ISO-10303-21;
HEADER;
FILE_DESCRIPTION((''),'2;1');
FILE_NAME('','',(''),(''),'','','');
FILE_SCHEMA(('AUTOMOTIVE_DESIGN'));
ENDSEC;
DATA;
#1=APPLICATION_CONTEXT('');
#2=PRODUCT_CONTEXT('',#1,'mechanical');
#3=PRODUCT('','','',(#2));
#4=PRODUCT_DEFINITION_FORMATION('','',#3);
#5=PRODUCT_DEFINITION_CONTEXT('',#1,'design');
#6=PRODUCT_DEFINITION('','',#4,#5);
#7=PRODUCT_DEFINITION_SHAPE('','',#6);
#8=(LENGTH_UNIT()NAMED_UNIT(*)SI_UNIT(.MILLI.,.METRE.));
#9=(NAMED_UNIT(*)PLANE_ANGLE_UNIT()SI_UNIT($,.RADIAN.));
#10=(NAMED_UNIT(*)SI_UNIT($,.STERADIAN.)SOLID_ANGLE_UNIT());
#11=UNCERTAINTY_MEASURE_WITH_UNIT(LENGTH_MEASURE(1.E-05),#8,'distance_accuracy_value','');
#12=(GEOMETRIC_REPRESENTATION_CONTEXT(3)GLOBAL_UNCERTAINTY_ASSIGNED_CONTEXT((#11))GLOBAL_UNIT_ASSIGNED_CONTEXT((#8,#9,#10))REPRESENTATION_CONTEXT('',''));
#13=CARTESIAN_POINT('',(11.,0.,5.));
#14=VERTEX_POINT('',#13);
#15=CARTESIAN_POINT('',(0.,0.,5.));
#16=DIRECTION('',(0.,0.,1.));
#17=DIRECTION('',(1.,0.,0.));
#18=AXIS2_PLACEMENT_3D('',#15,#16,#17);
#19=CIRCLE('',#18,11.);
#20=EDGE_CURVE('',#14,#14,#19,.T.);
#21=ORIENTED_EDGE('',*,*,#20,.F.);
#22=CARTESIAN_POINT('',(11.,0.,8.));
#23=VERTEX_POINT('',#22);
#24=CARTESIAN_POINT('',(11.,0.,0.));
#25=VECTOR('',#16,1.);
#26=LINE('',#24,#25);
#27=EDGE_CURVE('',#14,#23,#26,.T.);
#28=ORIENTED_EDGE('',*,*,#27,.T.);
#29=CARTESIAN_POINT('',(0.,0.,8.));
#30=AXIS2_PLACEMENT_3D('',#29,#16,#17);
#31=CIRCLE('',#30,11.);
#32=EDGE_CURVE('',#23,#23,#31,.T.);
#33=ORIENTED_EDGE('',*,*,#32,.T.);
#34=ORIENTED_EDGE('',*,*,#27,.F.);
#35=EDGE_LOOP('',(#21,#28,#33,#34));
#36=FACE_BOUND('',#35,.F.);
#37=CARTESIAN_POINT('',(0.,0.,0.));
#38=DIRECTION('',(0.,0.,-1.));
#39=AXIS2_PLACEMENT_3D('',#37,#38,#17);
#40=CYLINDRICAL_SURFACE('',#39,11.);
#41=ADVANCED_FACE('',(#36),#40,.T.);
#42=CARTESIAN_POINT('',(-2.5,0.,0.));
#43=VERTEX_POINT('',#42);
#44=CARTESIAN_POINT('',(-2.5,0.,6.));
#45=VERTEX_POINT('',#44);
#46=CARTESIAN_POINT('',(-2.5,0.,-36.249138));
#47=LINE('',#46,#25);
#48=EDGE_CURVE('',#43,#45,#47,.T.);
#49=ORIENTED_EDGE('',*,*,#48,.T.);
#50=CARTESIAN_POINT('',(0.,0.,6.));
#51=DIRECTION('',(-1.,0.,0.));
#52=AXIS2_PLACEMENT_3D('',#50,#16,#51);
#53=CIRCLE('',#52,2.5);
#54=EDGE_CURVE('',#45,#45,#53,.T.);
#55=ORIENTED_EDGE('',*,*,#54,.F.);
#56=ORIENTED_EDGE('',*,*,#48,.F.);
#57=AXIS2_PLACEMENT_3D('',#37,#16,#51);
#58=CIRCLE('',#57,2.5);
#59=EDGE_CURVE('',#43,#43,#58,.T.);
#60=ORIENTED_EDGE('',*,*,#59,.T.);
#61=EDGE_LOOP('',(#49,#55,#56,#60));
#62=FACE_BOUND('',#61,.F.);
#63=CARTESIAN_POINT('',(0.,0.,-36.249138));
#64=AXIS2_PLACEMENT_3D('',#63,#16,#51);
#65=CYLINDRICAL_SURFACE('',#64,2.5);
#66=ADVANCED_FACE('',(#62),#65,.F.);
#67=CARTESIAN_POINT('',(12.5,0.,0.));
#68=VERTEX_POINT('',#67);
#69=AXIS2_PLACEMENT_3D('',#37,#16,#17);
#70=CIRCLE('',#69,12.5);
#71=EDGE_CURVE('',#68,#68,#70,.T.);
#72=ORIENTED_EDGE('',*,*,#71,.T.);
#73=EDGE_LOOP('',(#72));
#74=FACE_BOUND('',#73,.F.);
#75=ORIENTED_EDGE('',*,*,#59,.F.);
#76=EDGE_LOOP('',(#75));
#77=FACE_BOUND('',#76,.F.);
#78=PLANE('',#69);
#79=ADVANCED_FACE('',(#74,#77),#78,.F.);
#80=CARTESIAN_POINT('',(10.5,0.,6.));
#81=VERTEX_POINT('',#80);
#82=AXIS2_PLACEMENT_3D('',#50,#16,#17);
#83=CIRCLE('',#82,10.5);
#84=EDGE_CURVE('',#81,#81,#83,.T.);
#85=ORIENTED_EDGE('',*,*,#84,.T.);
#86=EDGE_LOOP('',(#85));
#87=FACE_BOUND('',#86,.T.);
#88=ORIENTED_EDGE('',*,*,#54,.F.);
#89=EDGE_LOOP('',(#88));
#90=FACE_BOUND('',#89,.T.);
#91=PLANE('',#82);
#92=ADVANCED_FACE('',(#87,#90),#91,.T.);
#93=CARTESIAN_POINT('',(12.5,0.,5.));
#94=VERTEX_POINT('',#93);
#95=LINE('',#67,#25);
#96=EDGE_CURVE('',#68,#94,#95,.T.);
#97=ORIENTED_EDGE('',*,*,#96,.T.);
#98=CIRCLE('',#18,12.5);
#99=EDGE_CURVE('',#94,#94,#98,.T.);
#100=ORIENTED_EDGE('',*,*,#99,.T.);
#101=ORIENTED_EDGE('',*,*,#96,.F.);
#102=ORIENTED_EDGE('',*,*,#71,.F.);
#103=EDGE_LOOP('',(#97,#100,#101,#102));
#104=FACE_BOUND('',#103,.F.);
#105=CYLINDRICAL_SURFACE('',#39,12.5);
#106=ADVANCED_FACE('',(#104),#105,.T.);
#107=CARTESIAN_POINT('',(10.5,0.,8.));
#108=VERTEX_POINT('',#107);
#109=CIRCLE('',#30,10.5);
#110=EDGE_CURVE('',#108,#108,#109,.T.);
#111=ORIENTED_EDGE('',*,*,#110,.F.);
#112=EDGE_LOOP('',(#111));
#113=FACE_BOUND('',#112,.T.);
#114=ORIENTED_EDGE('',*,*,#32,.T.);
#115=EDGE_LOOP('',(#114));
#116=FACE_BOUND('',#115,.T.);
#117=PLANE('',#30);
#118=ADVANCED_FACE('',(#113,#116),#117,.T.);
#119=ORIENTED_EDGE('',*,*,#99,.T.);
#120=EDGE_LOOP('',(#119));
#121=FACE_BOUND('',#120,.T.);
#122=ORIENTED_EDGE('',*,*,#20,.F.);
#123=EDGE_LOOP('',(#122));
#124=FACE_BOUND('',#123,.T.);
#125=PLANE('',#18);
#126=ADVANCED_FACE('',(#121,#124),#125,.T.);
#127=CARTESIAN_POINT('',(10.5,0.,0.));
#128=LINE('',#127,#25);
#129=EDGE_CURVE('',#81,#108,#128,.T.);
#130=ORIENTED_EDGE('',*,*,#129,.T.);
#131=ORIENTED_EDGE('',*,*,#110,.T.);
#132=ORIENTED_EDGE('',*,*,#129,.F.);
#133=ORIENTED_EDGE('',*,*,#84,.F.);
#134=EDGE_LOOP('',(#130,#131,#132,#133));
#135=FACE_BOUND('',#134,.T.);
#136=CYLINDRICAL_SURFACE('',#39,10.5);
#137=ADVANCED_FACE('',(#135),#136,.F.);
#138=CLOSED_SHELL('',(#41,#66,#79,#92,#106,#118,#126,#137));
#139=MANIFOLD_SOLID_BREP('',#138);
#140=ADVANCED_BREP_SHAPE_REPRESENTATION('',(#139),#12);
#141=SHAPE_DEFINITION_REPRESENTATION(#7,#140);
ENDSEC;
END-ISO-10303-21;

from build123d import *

# Parameters (mm, degrees)
F0_R     = 12.5
F0_R_2   = 11
F1_DEPTH = 5
F0_R_3   = 10.5
F2_DEPTH = 8
F3_DEPTH = 6
F4_D     = 5


with BuildPart() as f1:
    # F0 (on Top) → F1 (new body)
    with BuildSketch(Plane.XY):
        Circle(F0_R)
        Circle(F0_R_2, mode=Mode.SUBTRACT)
    extrude(amount=F1_DEPTH)

    # F0 (on Top) → F2 (join)
    with BuildSketch(Plane.XY):
        Circle(F0_R_2)
        Circle(F0_R_3, mode=Mode.SUBTRACT)
    extrude(amount=F2_DEPTH)

    # F0 (on Top) → F3 (join)
    with BuildSketch(Plane.XY):
        Circle(F0_R_3)
    extrude(amount=F3_DEPTH)

    # F4 (through all)
    with Locations(Plane(origin=(0, 0, 0), x_dir=(1, 0, 0), z_dir=(0, 0, -1))):
        with Locations((0, 0)):
            Hole(F4_D / 2)


solid = f1.part
